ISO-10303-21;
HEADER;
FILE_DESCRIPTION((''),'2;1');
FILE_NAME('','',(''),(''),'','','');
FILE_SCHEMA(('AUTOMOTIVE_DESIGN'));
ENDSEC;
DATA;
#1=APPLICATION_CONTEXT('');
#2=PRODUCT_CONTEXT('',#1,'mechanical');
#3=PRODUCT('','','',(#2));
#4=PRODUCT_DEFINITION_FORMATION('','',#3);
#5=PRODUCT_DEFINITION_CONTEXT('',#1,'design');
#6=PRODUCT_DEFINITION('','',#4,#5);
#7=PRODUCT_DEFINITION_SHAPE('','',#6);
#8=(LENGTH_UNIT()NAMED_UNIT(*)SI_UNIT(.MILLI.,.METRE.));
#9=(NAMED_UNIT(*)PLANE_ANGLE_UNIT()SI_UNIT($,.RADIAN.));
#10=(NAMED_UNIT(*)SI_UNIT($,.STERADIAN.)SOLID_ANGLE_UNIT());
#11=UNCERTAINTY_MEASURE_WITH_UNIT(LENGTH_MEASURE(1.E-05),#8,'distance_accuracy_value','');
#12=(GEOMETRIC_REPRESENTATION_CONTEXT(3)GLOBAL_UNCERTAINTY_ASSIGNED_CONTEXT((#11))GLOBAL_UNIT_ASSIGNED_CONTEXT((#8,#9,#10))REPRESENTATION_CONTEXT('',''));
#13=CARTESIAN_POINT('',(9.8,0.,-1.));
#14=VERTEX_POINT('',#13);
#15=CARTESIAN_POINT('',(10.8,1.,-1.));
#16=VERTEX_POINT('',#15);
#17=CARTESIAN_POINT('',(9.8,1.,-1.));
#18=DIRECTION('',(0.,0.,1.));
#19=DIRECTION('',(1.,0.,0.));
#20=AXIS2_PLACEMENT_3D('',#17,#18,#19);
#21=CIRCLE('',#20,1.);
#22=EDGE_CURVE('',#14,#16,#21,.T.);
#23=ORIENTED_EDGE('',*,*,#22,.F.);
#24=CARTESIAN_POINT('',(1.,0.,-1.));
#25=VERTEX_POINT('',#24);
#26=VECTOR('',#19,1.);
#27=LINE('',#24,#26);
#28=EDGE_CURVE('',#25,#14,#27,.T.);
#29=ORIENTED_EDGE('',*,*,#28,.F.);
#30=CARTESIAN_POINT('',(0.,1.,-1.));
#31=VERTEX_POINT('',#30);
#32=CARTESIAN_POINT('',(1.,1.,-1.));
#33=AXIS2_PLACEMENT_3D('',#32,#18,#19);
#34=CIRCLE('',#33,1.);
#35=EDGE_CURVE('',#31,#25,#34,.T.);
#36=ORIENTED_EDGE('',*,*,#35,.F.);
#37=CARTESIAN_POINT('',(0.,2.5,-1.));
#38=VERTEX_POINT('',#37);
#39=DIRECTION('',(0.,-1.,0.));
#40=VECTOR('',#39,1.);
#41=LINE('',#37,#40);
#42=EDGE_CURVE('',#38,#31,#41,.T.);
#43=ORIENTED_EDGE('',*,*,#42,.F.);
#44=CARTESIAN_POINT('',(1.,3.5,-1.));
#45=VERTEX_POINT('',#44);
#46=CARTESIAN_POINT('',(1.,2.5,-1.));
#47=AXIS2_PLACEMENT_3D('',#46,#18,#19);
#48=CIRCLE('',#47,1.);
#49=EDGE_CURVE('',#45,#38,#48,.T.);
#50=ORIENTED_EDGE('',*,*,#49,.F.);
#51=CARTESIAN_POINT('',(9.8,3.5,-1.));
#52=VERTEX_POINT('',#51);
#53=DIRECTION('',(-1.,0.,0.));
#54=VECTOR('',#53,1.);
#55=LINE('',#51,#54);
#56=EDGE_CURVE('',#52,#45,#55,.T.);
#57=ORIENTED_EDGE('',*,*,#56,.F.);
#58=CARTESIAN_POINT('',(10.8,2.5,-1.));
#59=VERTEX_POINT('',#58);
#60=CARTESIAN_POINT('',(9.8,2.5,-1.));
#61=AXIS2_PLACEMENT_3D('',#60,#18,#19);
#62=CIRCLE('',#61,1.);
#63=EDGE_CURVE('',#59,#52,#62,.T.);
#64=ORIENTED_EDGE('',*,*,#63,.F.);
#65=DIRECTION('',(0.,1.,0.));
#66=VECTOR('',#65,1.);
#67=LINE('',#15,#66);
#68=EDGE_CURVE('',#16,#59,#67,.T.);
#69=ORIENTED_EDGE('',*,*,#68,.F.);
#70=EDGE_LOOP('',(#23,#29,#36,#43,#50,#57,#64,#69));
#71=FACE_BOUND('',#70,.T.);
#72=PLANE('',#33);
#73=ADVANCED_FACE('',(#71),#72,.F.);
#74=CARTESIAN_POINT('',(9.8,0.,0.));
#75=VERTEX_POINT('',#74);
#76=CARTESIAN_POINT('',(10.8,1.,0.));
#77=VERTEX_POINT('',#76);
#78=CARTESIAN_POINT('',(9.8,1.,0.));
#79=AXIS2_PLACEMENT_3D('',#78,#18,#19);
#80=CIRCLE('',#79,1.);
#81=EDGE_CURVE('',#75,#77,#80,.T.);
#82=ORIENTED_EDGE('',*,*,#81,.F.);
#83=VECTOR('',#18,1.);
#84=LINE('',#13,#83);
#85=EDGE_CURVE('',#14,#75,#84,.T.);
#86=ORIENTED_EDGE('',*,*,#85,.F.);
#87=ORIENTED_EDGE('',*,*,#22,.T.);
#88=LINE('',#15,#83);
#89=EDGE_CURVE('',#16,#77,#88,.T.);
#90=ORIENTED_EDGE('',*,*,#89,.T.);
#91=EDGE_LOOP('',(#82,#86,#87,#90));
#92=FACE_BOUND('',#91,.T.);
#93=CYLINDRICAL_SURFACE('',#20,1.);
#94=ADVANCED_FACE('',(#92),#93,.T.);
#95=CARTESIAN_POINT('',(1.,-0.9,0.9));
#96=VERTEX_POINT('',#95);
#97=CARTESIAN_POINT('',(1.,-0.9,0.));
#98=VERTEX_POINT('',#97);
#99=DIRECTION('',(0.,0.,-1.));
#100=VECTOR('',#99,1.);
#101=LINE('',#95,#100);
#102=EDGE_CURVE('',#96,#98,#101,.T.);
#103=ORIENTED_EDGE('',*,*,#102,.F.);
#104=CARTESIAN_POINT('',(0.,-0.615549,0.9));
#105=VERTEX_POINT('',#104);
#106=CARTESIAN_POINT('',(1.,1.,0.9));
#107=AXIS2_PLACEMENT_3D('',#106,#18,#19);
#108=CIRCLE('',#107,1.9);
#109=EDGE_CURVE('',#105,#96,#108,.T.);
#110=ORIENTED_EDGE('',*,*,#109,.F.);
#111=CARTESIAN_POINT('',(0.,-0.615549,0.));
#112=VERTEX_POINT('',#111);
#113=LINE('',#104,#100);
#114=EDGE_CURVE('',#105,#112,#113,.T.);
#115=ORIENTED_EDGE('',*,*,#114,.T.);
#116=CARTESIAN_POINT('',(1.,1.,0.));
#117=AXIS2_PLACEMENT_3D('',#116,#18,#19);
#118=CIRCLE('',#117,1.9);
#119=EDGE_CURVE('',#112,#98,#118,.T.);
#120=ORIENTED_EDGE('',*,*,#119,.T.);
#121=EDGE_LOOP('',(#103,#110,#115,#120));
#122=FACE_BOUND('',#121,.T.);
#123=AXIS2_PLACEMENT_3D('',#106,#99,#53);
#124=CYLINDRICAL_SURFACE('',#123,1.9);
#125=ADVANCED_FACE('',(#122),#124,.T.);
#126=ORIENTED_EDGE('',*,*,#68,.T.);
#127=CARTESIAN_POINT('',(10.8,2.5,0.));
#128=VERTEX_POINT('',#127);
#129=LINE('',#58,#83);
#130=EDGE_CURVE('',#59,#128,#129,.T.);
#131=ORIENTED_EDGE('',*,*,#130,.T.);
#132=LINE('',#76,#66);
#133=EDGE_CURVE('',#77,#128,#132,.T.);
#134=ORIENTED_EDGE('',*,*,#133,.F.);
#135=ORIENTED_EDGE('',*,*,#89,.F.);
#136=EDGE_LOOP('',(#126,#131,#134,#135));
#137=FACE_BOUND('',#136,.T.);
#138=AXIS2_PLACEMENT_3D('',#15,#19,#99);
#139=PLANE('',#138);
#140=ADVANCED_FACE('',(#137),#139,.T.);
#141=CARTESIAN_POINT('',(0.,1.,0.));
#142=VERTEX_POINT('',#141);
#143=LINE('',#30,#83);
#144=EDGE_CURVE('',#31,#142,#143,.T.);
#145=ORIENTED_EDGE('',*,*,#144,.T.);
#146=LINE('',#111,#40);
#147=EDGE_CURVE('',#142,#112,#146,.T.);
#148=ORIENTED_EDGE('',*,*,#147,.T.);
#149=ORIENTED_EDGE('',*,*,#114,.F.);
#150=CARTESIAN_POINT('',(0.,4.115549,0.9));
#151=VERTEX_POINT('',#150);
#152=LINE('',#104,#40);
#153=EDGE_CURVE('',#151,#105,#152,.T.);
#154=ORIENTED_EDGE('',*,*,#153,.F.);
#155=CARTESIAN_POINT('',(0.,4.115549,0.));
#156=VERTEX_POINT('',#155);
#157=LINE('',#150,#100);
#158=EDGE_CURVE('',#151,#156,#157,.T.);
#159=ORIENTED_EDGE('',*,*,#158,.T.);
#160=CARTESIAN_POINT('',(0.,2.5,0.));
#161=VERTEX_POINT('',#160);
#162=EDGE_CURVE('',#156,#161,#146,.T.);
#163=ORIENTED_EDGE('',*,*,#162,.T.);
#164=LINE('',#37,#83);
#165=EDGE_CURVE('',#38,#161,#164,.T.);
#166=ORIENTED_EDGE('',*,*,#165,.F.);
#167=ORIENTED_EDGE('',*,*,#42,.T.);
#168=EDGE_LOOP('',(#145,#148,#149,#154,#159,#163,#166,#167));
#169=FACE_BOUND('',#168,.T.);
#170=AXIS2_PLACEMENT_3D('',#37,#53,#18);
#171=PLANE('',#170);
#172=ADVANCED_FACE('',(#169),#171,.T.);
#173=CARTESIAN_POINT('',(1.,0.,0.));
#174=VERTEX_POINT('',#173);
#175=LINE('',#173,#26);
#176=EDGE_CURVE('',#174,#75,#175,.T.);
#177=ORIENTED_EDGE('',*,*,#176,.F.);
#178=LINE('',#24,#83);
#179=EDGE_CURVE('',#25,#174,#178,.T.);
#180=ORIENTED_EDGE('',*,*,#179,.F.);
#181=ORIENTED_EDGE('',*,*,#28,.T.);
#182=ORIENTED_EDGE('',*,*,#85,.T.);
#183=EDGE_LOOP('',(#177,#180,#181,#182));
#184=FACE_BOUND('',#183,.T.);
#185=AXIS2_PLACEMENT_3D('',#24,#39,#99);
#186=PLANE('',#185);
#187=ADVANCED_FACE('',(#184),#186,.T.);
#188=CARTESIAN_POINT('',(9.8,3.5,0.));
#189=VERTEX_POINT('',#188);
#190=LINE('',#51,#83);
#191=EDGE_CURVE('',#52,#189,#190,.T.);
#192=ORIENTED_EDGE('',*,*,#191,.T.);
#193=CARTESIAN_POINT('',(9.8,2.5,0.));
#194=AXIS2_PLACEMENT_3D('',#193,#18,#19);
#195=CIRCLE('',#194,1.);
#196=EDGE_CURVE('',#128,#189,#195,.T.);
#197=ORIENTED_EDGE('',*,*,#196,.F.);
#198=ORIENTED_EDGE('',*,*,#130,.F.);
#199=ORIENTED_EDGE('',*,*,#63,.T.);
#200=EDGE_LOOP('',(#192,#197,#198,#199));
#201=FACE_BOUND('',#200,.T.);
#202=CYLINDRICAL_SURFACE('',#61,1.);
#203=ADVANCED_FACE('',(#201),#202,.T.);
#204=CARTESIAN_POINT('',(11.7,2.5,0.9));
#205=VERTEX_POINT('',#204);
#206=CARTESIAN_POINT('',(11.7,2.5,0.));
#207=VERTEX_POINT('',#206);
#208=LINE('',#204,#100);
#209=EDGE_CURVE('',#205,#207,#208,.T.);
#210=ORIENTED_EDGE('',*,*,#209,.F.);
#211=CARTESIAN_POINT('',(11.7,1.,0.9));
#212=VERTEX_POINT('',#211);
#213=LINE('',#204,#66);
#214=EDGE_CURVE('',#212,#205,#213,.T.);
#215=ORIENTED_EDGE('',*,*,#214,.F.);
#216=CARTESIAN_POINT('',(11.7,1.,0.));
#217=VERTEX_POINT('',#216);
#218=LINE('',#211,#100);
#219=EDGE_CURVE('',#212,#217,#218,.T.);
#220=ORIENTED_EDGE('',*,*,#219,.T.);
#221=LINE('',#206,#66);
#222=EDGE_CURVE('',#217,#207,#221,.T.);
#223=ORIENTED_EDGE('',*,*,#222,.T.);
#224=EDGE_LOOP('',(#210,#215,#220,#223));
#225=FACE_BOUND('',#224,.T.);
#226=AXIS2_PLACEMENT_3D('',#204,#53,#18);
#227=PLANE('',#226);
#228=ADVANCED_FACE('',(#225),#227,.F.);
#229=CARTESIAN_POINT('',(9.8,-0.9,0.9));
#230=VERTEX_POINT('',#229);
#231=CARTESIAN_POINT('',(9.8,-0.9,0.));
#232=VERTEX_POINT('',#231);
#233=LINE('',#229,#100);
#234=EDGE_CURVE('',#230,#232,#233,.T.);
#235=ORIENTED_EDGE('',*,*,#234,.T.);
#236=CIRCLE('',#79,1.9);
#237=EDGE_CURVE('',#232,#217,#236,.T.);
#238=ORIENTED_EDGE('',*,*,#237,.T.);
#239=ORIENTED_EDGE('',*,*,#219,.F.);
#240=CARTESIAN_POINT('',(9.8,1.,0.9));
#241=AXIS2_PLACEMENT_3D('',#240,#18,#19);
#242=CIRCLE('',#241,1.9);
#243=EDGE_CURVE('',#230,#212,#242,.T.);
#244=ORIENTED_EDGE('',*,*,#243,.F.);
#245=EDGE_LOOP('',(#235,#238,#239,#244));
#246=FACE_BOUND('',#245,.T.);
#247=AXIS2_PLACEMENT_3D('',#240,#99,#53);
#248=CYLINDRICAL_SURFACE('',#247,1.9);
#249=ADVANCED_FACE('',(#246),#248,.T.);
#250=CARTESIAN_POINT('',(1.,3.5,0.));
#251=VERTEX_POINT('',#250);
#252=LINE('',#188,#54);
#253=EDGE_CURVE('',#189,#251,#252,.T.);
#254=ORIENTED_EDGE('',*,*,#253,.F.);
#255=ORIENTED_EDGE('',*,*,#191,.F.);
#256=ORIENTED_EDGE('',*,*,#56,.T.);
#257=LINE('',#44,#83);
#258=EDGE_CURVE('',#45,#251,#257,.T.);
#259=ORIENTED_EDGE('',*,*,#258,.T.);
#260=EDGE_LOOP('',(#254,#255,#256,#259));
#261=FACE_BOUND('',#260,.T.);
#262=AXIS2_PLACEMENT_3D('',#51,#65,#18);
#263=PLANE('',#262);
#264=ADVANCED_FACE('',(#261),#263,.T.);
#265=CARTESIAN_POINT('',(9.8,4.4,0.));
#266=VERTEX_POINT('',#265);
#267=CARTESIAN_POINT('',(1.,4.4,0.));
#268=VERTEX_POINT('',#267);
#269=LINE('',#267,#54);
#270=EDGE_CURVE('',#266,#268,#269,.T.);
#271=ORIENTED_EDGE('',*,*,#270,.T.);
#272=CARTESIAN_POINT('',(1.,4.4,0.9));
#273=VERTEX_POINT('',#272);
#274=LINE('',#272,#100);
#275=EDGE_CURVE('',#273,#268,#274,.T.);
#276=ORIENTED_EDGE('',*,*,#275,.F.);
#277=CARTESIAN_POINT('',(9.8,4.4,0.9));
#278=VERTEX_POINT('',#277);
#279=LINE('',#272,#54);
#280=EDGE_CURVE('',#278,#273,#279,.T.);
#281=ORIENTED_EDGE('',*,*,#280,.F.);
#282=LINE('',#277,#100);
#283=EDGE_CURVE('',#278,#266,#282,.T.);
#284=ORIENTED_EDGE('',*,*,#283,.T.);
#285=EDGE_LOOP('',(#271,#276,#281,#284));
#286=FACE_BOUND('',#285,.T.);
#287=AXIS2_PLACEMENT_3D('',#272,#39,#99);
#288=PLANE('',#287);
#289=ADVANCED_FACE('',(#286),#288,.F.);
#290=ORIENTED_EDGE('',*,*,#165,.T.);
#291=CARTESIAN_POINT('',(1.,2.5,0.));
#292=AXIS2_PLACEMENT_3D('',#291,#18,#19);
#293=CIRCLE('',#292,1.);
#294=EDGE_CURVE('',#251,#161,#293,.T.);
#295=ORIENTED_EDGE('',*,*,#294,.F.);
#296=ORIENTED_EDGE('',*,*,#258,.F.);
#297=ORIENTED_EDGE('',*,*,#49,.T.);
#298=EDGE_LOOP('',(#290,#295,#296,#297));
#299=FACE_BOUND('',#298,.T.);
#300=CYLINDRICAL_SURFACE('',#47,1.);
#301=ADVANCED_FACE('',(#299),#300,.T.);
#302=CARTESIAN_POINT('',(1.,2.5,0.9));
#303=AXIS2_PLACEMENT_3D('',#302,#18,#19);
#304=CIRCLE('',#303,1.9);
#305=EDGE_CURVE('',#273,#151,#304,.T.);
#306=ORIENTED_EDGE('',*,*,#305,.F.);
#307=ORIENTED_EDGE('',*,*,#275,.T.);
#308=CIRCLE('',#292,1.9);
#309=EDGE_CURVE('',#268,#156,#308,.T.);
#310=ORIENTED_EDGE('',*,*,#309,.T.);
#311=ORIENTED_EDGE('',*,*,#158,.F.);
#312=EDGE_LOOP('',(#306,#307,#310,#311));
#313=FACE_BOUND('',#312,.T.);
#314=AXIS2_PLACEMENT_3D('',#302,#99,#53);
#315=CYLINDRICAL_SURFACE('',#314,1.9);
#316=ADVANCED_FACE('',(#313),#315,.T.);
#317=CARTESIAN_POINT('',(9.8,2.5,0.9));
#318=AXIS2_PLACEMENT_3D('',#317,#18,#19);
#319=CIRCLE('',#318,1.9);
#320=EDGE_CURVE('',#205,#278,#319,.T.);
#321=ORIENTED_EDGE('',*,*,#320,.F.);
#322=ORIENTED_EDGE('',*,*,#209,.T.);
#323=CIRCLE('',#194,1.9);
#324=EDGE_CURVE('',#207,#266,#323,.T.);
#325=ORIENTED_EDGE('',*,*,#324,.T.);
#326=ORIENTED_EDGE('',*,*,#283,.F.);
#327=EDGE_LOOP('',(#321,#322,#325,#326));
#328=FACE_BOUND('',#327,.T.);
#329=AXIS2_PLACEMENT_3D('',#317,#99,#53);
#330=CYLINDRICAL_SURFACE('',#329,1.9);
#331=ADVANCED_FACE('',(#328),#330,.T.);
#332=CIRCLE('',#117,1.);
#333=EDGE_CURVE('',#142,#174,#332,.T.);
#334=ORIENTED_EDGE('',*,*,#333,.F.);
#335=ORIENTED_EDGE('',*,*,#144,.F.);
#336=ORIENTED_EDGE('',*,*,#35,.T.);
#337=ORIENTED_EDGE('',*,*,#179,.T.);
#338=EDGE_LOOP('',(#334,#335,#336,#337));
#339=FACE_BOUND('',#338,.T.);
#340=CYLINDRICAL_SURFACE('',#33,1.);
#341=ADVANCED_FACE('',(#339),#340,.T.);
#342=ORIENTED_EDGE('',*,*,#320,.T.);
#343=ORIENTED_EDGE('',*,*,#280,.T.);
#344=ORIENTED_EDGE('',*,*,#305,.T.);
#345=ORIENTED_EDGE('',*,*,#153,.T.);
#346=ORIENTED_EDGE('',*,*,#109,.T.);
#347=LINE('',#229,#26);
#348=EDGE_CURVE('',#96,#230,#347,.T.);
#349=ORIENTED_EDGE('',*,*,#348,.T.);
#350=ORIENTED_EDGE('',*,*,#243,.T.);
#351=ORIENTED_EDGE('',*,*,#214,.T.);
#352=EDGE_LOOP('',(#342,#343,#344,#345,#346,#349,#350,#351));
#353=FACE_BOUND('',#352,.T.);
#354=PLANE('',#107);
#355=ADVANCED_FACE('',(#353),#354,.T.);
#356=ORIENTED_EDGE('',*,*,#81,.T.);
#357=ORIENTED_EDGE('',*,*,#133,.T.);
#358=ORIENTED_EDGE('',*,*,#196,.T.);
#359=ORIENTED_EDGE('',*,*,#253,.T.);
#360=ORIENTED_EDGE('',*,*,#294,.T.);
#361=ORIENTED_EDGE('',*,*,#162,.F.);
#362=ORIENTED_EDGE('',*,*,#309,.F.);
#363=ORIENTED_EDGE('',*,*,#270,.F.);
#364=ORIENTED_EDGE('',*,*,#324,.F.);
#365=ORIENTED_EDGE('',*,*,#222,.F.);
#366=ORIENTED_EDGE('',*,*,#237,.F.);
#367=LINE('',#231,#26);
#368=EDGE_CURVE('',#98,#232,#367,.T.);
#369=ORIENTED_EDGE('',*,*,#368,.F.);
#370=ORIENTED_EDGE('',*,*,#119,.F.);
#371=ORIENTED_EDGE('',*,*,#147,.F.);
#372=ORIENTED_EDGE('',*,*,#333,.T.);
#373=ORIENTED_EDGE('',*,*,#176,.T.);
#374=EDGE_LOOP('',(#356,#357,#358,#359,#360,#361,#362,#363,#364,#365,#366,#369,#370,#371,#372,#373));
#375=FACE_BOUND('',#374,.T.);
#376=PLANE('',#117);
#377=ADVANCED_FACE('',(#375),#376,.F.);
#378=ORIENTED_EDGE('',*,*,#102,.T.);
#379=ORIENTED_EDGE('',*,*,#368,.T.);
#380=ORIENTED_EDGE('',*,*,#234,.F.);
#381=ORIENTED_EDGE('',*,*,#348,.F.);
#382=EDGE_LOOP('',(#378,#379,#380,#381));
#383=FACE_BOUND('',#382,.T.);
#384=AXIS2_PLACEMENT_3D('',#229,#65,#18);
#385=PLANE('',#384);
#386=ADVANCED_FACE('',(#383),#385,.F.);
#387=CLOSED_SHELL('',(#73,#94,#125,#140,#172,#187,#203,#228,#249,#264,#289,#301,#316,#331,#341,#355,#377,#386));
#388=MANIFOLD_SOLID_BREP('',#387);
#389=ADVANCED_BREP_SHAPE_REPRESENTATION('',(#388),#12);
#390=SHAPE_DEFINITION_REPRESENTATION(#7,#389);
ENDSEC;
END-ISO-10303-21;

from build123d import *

# Parameters (mm, degrees)
LOCATING_TONGUE_DEPTH = 1
COVER_FLANGE_DEPTH    = 0.9


with BuildPart() as part:
    # Locating_tongue_profile → Locating_tongue (new body)
    with BuildSketch(Plane.XY):
        with BuildLine():
            Line((1, 0), (9.8, 0))
            ThreePointArc((9.8, 0), (10.507106781, 0.292893219), (10.8, 1))
            Line((10.8, 1), (10.8, 2.5))
            ThreePointArc((10.8, 2.5), (10.507106781, 3.207106781), (9.8, 3.5))
            Line((9.8, 3.5), (1, 3.5))
            ThreePointArc((1, 3.5), (0.292893219, 3.207106781), (0, 2.5))
            Line((0, 2.5), (0, 1))
            ThreePointArc((0, 1), (0.292893219, 0.292893219), (1, 0))
        make_face()
    extrude(amount=-LOCATING_TONGUE_DEPTH)

    # Cover_flange_profile → Cover_flange (add)
    with BuildSketch(Plane.XY):
        with BuildLine():
            Line((0, -0.615549442), (0, 4.115549442))
            ThreePointArc((0, 4.115549442), (0.480165382, 4.327504301), (1, 4.4))
            Line((1, 4.4), (9.8, 4.4))
            ThreePointArc((9.8, 4.4), (11.143502884, 3.843502884), (11.7, 2.5))
            Line((11.7, 2.5), (11.7, 1))
            ThreePointArc((11.7, 1), (11.143502884, -0.343502884), (9.8, -0.9))
            Line((9.8, -0.9), (1, -0.9))
            ThreePointArc((1, -0.9), (0.480165382, -0.827504301), (0, -0.615549442))
        make_face()
    extrude(amount=COVER_FLANGE_DEPTH)


solid = part.part
